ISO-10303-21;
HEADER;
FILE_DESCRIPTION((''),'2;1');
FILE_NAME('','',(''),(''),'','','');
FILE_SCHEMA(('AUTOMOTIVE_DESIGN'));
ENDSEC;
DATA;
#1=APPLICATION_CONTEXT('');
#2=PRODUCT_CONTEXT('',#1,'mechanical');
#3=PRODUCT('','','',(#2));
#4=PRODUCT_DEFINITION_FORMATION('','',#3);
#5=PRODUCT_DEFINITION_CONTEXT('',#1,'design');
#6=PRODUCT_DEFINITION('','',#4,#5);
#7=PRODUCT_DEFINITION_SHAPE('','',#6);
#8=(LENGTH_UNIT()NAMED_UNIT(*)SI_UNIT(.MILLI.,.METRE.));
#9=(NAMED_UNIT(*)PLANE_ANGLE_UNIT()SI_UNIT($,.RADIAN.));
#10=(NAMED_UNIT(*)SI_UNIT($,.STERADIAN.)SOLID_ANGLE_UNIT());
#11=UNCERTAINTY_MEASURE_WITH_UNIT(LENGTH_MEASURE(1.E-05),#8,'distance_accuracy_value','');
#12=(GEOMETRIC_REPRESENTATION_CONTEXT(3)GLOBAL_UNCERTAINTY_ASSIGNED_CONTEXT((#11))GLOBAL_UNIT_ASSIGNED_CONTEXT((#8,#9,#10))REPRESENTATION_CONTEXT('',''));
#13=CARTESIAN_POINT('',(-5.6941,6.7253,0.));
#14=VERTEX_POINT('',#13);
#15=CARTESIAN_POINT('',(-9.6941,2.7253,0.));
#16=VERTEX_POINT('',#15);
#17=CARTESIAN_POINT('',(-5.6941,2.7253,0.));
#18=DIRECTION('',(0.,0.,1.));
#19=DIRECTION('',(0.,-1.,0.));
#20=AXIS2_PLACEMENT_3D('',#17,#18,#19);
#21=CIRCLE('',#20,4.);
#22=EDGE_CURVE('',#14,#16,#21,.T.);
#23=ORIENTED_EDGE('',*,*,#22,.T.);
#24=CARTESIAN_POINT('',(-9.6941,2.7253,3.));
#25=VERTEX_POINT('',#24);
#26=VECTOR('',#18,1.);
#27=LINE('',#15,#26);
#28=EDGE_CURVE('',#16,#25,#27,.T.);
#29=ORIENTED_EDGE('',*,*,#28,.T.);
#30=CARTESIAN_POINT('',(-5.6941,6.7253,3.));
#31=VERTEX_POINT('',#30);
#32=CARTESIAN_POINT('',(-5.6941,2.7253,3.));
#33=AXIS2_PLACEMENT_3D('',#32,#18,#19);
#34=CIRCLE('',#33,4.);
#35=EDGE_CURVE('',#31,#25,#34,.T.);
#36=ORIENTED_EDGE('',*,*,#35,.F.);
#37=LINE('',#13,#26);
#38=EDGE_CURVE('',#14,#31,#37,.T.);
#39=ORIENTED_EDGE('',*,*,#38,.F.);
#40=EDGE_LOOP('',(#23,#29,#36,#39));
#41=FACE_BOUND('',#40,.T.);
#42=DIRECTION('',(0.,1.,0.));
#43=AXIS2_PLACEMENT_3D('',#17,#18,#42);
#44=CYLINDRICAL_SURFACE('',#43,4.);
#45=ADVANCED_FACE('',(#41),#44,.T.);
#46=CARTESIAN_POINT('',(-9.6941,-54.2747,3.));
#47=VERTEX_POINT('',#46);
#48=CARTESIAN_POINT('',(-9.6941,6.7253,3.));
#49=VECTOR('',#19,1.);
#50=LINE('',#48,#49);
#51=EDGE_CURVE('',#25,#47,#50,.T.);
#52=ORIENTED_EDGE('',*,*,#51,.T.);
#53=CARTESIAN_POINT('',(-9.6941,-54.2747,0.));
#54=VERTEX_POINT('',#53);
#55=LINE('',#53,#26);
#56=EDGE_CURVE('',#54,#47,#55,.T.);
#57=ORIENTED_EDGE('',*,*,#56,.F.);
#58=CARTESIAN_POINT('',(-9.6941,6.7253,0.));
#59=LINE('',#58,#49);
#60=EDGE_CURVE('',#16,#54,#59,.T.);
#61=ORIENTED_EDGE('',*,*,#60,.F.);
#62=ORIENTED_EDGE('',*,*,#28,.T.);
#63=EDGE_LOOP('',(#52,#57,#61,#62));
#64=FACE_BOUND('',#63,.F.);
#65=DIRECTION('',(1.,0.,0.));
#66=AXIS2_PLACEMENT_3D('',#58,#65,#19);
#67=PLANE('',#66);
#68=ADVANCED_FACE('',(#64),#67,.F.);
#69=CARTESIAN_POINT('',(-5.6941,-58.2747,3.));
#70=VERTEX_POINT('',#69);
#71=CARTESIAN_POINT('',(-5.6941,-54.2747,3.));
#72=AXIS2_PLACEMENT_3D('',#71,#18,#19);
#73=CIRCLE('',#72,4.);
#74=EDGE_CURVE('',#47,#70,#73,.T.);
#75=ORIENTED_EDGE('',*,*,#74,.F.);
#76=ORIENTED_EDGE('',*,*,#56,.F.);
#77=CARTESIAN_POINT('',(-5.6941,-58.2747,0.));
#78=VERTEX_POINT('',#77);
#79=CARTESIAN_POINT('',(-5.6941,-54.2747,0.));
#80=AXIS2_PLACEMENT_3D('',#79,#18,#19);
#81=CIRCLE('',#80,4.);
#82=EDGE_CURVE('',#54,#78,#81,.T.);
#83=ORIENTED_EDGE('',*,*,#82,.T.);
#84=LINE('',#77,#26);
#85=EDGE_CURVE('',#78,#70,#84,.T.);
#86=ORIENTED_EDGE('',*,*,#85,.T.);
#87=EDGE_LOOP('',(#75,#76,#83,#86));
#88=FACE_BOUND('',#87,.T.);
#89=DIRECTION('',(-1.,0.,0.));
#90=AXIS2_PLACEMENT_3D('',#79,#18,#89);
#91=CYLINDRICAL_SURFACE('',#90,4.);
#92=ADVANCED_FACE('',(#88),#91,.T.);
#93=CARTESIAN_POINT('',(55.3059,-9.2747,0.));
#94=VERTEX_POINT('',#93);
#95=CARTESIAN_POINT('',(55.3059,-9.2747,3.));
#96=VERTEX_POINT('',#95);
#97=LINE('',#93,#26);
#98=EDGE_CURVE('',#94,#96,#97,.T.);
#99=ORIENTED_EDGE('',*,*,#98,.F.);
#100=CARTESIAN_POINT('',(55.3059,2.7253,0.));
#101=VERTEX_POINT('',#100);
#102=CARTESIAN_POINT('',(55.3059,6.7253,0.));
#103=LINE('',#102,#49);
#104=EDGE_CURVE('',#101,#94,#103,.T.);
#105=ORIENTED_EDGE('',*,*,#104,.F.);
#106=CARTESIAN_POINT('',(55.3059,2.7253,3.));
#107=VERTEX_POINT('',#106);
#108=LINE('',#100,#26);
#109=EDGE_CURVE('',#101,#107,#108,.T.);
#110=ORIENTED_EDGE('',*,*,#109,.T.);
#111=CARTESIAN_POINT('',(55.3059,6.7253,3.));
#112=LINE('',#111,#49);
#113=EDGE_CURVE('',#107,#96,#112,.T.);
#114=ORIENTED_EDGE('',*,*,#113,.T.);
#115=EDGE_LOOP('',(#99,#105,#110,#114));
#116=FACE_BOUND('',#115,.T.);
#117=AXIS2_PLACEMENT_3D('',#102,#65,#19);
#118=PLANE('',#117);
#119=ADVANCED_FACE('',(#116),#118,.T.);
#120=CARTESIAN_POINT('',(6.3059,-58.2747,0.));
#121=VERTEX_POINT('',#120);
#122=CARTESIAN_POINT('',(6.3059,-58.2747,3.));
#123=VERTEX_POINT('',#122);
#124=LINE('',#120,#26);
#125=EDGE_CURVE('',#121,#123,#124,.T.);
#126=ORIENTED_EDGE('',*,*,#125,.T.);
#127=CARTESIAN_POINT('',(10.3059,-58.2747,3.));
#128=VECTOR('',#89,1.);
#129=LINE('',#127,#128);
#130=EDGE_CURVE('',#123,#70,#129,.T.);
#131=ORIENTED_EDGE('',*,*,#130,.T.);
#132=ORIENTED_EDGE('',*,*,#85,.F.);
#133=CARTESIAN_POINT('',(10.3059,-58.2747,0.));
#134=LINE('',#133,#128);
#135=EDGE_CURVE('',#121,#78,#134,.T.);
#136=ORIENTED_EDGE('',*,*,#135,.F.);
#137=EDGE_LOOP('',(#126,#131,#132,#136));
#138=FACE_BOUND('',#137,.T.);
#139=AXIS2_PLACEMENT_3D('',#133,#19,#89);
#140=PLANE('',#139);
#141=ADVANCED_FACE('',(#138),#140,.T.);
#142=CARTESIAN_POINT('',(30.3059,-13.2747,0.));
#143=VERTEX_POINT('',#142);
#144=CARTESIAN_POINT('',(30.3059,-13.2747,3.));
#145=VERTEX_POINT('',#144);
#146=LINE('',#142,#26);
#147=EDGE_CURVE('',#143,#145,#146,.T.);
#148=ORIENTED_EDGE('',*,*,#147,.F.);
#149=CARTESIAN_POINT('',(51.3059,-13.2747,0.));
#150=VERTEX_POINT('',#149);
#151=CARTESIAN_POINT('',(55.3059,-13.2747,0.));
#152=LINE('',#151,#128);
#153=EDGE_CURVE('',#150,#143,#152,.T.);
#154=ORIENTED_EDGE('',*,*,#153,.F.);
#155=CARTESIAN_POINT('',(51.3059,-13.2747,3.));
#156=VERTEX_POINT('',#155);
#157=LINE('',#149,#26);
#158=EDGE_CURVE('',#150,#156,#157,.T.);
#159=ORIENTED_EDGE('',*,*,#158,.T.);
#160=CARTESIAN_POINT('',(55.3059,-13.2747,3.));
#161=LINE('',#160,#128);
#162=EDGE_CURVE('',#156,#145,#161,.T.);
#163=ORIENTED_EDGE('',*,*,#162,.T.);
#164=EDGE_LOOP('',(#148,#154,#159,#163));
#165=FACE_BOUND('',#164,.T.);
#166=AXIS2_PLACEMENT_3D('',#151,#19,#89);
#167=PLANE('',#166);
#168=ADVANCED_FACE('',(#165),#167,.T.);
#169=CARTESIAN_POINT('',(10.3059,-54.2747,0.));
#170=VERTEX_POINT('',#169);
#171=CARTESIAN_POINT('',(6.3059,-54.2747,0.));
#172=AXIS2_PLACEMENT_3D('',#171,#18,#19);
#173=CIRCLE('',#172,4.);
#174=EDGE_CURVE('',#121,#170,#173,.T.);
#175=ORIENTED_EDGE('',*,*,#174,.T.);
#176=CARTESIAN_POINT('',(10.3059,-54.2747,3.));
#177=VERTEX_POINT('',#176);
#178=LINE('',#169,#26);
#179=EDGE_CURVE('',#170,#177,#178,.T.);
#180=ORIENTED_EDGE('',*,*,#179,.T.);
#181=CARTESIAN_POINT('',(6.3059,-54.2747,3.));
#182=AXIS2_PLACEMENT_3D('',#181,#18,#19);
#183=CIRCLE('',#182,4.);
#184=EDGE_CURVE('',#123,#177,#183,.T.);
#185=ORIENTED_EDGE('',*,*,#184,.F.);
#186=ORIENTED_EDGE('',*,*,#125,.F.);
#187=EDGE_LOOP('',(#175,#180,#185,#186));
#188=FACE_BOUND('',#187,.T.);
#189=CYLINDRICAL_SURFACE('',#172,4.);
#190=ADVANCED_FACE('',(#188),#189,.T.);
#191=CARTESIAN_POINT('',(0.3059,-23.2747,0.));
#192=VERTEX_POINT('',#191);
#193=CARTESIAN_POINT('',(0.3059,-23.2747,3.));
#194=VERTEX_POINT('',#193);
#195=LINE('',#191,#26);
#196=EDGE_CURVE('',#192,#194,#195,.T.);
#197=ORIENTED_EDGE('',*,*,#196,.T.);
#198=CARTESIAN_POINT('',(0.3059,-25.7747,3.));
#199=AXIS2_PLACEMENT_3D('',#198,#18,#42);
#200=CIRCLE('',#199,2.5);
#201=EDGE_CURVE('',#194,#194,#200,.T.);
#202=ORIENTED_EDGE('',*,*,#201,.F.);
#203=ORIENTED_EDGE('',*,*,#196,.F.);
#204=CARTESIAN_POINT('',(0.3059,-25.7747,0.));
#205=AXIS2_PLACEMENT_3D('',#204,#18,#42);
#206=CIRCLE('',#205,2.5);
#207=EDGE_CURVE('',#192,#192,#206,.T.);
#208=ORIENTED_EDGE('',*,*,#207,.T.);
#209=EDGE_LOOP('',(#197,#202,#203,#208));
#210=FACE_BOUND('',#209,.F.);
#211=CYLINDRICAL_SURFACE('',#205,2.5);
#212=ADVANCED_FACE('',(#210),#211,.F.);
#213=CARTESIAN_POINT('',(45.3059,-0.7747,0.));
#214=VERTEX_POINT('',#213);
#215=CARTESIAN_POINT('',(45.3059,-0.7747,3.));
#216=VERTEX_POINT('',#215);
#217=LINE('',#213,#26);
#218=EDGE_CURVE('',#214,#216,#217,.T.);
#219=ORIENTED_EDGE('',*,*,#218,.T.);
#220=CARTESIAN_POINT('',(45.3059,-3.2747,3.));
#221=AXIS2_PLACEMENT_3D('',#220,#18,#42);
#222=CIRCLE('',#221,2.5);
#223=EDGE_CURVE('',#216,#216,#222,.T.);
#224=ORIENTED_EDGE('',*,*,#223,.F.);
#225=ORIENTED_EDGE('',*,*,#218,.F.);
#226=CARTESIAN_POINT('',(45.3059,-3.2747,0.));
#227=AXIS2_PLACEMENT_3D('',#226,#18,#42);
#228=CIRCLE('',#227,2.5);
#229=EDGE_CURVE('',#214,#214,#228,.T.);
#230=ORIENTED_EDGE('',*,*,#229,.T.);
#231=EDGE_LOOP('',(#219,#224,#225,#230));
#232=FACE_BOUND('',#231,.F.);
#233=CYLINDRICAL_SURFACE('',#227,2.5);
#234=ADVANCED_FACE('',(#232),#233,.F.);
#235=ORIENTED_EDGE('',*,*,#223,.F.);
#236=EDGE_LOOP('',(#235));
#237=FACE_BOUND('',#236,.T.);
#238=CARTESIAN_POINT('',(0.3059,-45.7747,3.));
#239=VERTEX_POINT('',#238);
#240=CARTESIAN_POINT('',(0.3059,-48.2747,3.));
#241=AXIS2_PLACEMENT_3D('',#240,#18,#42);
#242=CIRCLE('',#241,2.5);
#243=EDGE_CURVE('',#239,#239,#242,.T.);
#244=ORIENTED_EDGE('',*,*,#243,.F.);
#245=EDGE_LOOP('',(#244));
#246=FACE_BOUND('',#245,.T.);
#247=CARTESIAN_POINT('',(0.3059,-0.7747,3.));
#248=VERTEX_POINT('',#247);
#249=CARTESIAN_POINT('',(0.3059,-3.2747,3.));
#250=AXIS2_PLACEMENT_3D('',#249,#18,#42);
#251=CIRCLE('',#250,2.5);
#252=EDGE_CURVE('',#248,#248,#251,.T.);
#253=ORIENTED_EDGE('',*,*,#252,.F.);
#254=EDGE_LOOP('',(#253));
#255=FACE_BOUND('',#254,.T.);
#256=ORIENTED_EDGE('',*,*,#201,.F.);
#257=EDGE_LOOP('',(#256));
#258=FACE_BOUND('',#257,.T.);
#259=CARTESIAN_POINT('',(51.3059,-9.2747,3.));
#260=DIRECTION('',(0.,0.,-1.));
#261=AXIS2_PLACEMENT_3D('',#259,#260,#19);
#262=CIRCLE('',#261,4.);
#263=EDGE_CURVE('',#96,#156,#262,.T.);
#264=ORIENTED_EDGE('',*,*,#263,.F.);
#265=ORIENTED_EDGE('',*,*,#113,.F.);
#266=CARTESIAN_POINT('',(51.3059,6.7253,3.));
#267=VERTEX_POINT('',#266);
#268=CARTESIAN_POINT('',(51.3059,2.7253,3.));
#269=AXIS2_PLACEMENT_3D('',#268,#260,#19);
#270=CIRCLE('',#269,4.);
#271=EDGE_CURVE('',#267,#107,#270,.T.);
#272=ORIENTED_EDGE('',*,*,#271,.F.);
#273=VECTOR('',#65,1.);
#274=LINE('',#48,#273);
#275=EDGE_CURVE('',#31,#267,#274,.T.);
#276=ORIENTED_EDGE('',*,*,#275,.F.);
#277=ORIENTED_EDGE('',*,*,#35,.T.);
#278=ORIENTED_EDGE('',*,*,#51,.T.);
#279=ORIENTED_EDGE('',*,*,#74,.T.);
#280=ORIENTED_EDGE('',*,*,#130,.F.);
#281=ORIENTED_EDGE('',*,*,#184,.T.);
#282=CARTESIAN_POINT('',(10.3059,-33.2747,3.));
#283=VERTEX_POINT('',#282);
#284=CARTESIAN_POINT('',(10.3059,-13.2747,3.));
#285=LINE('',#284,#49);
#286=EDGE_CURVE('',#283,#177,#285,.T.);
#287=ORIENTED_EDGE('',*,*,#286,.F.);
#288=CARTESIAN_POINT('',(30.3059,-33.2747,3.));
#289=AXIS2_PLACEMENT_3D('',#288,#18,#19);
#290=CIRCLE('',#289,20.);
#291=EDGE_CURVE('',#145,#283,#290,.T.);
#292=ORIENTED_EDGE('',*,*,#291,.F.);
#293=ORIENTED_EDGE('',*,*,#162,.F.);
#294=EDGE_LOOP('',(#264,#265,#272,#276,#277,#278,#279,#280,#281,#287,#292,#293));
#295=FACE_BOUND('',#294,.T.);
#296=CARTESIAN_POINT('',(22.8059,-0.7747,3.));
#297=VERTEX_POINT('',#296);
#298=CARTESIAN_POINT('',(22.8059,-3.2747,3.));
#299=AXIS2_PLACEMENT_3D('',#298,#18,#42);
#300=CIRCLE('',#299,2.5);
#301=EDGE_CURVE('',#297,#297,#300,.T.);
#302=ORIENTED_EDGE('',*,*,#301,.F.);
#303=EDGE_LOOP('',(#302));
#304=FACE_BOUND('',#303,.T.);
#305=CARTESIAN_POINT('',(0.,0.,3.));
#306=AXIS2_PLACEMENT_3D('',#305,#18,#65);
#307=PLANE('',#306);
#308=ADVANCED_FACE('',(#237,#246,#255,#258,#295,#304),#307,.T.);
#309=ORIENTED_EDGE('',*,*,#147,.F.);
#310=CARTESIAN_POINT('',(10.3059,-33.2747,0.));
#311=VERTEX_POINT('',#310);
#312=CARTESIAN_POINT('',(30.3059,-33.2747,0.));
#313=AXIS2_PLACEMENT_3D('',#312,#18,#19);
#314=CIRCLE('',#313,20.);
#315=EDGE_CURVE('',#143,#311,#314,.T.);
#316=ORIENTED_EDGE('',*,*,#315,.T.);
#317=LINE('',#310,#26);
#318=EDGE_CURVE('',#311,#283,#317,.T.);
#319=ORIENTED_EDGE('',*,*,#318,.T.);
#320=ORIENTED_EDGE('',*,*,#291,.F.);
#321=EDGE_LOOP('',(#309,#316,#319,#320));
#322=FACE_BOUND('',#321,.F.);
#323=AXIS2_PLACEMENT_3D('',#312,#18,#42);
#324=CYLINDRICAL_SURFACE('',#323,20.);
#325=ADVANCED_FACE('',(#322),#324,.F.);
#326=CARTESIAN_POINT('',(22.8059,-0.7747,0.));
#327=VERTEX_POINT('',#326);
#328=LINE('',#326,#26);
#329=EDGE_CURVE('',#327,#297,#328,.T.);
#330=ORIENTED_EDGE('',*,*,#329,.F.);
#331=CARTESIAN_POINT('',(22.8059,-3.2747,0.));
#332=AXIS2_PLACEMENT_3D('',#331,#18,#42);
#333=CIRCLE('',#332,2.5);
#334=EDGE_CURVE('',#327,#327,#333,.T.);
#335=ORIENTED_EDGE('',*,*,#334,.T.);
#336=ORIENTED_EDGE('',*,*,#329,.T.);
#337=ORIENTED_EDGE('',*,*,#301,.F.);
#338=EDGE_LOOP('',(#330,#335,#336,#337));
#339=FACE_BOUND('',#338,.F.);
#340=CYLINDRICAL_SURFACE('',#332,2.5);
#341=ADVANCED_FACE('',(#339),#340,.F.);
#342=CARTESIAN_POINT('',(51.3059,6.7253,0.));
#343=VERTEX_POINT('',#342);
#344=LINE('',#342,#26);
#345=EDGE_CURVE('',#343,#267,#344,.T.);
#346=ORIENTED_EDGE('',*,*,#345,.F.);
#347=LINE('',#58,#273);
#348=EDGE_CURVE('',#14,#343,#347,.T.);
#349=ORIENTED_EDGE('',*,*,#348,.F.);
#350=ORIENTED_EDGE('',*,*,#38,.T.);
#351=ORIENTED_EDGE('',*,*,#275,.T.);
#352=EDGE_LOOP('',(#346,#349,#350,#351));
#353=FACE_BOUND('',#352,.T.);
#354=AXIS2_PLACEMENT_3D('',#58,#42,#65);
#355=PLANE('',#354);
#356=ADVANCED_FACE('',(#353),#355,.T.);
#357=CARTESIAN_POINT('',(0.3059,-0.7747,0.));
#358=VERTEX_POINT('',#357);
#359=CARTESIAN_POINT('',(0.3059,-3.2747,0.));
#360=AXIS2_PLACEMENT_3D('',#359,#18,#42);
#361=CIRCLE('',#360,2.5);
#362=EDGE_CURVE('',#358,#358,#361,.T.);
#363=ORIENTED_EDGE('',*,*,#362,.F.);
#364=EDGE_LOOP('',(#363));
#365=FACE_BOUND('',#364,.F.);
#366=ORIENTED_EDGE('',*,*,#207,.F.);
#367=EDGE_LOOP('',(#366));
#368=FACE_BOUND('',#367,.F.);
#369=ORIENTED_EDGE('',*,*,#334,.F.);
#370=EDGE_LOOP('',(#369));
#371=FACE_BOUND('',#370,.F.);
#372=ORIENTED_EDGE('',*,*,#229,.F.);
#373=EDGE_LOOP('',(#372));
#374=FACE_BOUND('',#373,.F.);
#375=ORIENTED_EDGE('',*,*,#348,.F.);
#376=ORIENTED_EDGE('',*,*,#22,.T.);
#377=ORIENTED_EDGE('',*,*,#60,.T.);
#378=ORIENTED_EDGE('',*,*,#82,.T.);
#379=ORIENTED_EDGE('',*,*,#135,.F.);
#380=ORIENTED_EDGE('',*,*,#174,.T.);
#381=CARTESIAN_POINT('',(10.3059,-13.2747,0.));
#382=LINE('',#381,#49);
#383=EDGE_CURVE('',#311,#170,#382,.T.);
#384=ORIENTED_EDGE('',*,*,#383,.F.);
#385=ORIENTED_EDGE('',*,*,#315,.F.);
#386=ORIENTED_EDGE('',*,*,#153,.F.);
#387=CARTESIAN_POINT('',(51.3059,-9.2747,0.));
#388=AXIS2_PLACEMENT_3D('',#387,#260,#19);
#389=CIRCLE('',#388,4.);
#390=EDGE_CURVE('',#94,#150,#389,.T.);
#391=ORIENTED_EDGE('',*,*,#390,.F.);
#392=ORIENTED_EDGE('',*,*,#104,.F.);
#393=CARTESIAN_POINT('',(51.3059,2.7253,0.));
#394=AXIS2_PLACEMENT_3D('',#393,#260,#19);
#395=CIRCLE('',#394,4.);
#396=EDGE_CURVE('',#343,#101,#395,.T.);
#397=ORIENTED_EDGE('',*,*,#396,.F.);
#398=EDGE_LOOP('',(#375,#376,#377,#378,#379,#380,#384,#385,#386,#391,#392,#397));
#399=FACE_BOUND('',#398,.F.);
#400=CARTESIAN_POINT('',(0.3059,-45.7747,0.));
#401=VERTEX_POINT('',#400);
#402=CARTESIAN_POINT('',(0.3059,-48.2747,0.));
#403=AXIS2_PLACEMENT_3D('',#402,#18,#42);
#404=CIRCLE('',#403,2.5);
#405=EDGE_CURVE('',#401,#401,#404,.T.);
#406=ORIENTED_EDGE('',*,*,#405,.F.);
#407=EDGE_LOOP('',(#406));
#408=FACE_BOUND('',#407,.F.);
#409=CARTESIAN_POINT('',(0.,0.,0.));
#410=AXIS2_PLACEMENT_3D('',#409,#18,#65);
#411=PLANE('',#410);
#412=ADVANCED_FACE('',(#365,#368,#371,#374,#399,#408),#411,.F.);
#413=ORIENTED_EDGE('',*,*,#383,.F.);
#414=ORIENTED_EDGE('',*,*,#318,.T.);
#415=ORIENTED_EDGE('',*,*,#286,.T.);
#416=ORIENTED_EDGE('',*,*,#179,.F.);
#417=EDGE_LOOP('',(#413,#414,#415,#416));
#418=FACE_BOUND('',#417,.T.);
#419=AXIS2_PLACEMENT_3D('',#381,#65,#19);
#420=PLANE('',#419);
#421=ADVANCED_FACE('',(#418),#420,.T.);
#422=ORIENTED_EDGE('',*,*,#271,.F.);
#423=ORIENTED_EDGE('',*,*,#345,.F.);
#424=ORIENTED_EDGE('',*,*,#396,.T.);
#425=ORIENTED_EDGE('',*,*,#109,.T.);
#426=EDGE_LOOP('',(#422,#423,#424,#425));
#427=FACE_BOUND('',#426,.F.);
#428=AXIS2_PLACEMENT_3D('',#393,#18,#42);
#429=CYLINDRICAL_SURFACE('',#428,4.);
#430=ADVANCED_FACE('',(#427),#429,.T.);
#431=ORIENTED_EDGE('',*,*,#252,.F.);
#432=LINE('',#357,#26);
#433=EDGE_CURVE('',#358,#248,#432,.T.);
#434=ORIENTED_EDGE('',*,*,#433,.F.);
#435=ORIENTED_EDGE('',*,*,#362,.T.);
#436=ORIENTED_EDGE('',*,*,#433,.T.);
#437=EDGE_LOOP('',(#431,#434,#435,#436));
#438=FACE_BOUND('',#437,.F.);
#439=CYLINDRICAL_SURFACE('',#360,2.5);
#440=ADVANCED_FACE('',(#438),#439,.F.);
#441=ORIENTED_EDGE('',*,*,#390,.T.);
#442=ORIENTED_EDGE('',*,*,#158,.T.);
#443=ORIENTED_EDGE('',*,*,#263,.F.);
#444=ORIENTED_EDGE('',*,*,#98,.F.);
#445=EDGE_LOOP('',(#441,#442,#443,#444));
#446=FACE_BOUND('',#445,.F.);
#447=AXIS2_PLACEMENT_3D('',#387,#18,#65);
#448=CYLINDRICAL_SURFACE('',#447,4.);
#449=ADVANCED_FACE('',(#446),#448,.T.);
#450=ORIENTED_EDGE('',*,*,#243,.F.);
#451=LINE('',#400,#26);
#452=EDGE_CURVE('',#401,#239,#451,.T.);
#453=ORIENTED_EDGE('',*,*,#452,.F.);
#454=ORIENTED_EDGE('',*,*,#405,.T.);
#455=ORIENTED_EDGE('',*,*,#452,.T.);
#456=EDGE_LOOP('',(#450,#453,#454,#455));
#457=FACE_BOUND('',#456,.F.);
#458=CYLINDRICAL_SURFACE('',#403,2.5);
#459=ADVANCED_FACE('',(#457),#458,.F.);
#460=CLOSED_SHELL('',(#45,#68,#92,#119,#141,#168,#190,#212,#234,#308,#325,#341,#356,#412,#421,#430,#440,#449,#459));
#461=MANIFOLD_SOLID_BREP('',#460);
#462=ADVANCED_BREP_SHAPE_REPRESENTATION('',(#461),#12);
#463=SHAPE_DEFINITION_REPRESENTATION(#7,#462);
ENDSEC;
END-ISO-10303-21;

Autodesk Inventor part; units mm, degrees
ref_plane "YZ Plane" through (0, 0, 0) normal (1, 0, 0) x (0, 1, 0)
ref_plane "XZ Plane" through (0, 0, 0) normal (0, 1, 0) x (-1, 0, 0)
ref_plane "XY Plane" through (0, 0, 0) normal (0, 0, 1) x (1, 0, 0)
sketch "Szkic1" plane through (0, 0, 0) normal (0, 0, 1) x (1, 0, 0)
  line L0 (-9.6941, 6.7253) -> (-9.6941, -58.2747)
  line L1 (-9.6941, 6.7253) -> (55.3059, 6.7253)
  line L2 (55.3059, 6.7253) -> (55.3059, -13.2747)
  line L3 (55.3059, -13.2747) -> (10.3059, -13.2747)
  line L4 (10.3059, -13.2747) -> (10.3059, -58.2747)
  line L5 (10.3059, -58.2747) -> (-9.6941, -58.2747)
  point P0 (0, 0)
  point P1 (0.3059, -48.2747)
  point P2 (0.3059, -25.7747)
  point P3 (0.3059, -3.2747)
  point P4 (45.3059, -3.2747)
  point P5 (22.8059, -3.2747)
  dimension "d0" = 65
  dimension "d1" = 65
  dimension "d2" = 20
  dimension "d4" = 10
  dimension "d5" = 10
  dimension "d6" = 20
  dimension "d7" = 10
  dimension "d8" = 10
  dimension "d9" = 10
  dimension "d10" = 22.5
  dimension "d11" = 22.5
  dimension "d12" = 10
  dimension "d13" = 10
  dimension "d14" = 10
extrude "Wyciągnięcie proste1" add sketch "Szkic1" along normal blind 3
hole "Otwór1" at (0.3059, -48.2747, 0) at (0.3059, -25.7747, 0) at (0.3059, -3.2747, 0) at (45.3059, -3.2747, 0) at (22.8059, -3.2747, 0) direction (0, 0, 1) diameter 5 end through all
fillet "Zaokrąglenie1" radius 4 5 edges at (-9.6941, 6.7253, 1.5) (55.3059, 6.7253, 1.5) (55.3059, -13.2747, 1.5) (10.3059, -58.2747, 1.5) (-9.6941, -58.2747, 1.5)
fillet "Zaokrąglenie2" radius 20 1 edges at (10.3059, -13.2747, 1.5)
equation "\"d11\" = d10"
properties part number "LC_ALU_3mm_Top_Beam_Mounting_Bracket" material "Aluminium 6061-AHC"
